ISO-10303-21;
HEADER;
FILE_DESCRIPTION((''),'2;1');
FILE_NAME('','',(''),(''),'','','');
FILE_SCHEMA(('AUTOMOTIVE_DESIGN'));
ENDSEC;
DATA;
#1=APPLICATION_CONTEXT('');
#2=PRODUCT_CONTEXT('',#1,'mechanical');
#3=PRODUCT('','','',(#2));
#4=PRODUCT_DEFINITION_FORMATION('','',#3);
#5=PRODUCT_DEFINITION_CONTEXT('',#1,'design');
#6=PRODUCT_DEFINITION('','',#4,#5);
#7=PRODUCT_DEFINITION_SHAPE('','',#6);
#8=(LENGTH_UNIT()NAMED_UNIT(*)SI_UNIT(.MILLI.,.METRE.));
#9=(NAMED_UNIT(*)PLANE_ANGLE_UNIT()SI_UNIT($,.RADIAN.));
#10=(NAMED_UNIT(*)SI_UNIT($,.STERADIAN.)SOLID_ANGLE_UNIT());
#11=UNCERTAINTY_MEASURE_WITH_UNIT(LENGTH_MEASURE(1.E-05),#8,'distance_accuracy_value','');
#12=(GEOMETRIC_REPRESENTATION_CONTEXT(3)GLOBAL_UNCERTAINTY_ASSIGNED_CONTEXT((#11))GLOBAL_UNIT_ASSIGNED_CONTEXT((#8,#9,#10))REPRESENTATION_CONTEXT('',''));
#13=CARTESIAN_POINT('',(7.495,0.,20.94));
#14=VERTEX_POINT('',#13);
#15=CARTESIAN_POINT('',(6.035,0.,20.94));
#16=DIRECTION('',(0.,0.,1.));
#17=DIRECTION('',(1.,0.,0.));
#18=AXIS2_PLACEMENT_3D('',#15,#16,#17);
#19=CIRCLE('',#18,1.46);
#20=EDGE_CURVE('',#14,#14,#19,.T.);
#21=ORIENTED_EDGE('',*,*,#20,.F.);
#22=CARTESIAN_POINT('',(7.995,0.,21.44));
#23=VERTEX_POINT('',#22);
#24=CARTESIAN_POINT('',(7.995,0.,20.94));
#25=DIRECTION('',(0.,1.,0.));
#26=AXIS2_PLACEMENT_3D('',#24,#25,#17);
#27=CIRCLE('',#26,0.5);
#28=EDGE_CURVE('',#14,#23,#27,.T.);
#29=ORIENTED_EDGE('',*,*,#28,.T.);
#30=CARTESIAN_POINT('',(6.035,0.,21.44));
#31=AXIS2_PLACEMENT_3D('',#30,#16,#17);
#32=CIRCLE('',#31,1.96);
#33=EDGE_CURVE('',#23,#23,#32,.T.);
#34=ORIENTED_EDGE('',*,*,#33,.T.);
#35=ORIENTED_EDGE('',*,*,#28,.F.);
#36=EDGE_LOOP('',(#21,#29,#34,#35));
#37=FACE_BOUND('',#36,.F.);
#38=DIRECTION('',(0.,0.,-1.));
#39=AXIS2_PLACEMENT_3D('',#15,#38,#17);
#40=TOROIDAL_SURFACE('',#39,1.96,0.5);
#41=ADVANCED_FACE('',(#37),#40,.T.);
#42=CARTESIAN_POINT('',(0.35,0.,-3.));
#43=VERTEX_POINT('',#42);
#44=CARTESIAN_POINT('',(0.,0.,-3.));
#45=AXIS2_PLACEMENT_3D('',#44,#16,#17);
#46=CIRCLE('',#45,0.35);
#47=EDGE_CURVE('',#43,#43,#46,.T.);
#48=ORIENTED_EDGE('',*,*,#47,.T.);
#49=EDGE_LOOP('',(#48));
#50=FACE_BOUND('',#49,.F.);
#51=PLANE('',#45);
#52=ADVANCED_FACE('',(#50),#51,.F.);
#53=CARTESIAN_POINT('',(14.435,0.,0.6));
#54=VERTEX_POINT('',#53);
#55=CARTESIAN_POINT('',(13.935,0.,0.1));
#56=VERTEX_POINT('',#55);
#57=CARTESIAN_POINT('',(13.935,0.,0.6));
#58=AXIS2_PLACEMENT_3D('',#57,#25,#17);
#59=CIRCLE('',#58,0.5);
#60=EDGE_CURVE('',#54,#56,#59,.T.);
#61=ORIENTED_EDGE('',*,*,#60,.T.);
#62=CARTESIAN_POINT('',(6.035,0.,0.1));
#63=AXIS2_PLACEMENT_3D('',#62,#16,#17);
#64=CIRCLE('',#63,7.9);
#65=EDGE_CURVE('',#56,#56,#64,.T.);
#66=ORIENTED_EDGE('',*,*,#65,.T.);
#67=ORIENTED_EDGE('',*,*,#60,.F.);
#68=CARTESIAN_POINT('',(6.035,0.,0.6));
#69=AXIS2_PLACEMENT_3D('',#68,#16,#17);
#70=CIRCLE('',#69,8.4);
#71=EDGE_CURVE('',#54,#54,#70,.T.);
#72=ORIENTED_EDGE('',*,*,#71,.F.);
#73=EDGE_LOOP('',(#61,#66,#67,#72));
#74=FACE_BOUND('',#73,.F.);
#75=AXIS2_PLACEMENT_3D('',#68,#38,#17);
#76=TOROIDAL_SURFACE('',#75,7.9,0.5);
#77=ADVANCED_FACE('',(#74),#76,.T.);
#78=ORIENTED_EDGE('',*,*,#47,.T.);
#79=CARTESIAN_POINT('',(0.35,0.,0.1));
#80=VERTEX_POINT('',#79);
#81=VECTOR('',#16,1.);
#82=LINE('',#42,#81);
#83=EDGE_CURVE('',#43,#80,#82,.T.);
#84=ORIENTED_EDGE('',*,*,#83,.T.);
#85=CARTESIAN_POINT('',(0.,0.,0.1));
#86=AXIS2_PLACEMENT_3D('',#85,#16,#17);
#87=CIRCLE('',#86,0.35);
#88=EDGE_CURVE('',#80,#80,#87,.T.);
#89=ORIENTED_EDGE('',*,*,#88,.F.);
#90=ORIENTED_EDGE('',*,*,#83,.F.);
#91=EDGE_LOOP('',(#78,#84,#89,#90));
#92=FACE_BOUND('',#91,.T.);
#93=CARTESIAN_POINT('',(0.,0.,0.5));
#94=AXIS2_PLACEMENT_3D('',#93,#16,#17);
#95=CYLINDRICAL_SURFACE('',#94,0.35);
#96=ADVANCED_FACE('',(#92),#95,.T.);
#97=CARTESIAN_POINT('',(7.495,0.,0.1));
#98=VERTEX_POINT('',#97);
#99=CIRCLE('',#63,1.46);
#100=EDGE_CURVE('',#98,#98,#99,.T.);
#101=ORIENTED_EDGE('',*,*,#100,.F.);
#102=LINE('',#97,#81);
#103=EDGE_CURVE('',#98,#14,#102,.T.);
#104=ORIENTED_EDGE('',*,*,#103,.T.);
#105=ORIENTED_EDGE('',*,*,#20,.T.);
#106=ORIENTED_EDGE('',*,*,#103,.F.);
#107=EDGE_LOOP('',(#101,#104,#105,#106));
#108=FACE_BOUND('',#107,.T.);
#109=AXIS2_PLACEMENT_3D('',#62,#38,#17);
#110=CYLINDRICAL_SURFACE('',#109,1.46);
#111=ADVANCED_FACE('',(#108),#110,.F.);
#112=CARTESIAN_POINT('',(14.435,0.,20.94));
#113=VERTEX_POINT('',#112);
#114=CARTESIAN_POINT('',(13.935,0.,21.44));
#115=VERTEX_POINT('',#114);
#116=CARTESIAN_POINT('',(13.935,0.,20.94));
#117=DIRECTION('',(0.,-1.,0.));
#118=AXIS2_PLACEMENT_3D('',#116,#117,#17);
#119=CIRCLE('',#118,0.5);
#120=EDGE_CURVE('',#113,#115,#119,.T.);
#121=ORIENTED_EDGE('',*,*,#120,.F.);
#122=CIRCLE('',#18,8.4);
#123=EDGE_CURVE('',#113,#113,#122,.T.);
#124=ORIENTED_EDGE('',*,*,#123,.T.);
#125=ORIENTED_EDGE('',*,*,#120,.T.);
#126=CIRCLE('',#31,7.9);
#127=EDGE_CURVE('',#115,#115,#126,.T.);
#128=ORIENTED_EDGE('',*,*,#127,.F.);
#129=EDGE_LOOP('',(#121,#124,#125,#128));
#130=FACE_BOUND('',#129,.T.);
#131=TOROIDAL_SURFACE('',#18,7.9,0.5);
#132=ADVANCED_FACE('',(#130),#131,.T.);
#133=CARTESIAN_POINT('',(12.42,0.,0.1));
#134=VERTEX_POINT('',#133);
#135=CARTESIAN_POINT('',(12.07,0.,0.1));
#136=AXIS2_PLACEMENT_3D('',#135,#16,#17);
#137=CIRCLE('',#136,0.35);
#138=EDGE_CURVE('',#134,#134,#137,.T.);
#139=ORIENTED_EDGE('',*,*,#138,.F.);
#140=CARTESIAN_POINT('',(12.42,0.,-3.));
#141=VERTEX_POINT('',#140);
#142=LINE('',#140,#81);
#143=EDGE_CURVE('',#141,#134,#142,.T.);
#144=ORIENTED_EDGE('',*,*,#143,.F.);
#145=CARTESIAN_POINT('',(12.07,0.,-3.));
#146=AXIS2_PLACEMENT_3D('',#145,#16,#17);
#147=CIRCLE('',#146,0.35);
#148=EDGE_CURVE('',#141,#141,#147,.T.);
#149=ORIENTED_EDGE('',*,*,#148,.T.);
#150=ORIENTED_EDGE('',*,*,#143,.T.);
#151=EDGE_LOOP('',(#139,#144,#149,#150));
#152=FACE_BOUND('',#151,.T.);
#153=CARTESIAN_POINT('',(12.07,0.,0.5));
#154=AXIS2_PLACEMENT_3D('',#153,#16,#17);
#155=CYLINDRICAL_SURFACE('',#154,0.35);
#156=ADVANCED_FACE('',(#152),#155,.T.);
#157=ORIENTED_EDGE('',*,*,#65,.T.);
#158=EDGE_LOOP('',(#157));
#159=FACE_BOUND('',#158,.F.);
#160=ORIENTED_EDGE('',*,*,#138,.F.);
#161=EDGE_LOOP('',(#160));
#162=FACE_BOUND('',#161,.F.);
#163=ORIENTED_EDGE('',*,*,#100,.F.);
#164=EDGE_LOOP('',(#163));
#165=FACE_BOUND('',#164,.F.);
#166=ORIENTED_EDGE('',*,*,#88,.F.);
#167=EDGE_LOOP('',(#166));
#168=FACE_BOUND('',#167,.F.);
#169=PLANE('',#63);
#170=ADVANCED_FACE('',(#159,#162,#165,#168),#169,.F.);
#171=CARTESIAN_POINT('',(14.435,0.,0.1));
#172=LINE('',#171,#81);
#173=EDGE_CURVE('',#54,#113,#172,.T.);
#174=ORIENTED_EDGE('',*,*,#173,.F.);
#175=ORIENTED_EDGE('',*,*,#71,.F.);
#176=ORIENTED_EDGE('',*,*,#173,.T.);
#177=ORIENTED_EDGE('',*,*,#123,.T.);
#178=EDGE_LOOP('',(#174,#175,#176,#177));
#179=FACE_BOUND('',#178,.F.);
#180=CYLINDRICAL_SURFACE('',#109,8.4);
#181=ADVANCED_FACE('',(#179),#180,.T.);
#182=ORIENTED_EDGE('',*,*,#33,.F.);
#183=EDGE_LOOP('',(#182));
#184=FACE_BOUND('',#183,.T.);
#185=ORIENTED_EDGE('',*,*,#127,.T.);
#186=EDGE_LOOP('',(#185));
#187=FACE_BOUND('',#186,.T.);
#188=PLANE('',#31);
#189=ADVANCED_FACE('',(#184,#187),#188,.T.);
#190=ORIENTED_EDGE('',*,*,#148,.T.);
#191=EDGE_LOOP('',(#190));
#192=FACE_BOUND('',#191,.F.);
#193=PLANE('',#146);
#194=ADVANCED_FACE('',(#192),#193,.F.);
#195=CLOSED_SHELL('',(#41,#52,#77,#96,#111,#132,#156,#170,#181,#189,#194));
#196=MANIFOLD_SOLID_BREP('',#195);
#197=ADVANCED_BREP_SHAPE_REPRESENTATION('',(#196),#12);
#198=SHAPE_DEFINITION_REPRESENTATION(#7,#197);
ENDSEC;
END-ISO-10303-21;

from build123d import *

# Parameters (mm, degrees)
SKETCH_R          = 8.4
SKETCH_R_2        = 1.46
PAD_DEPTH         = 21.34
FILLET_R          = 0.5
SKETCH001_R       = 0.35
PAD001_DEPTH      = 10.67
PAD001_DEPTH_BACK = 3.5


with BuildPart() as fillet_body:
    # Sketch → Pad (new body)
    with BuildSketch(Plane.XY.offset(0.1)):
        with Locations((6.035, 0)):
            Circle(SKETCH_R)
        with Locations((6.035, 0)):
            Circle(SKETCH_R_2, mode=Mode.SUBTRACT)
    extrude(amount=PAD_DEPTH)

    # Fillet
    fillet_edges = [fillet_body.edges().sort_by_distance(p)[0] for p in [
        (4.575, 0, 21.44),
        (-2.365, 0, 21.44),
        (-2.365, 0, 0.1),
    ]]
    fillet(fillet_edges, radius=FILLET_R)


with BuildPart() as pad001_mp_cp:
    # Sketch001 → Pad001 (new body, two sides)
    with BuildSketch(Plane.XY.offset(0.5)) as pad001_sk:
        Circle(SKETCH001_R)
        with Locations((12.07, 0)):
            Circle(SKETCH001_R)
    extrude(amount=PAD001_DEPTH)
    extrude(pad001_sk.sketch, amount=-PAD001_DEPTH_BACK)

    # Pad001_mp_cp: union Fillet body
    add(fillet_body.part)


solid = pad001_mp_cp.part
